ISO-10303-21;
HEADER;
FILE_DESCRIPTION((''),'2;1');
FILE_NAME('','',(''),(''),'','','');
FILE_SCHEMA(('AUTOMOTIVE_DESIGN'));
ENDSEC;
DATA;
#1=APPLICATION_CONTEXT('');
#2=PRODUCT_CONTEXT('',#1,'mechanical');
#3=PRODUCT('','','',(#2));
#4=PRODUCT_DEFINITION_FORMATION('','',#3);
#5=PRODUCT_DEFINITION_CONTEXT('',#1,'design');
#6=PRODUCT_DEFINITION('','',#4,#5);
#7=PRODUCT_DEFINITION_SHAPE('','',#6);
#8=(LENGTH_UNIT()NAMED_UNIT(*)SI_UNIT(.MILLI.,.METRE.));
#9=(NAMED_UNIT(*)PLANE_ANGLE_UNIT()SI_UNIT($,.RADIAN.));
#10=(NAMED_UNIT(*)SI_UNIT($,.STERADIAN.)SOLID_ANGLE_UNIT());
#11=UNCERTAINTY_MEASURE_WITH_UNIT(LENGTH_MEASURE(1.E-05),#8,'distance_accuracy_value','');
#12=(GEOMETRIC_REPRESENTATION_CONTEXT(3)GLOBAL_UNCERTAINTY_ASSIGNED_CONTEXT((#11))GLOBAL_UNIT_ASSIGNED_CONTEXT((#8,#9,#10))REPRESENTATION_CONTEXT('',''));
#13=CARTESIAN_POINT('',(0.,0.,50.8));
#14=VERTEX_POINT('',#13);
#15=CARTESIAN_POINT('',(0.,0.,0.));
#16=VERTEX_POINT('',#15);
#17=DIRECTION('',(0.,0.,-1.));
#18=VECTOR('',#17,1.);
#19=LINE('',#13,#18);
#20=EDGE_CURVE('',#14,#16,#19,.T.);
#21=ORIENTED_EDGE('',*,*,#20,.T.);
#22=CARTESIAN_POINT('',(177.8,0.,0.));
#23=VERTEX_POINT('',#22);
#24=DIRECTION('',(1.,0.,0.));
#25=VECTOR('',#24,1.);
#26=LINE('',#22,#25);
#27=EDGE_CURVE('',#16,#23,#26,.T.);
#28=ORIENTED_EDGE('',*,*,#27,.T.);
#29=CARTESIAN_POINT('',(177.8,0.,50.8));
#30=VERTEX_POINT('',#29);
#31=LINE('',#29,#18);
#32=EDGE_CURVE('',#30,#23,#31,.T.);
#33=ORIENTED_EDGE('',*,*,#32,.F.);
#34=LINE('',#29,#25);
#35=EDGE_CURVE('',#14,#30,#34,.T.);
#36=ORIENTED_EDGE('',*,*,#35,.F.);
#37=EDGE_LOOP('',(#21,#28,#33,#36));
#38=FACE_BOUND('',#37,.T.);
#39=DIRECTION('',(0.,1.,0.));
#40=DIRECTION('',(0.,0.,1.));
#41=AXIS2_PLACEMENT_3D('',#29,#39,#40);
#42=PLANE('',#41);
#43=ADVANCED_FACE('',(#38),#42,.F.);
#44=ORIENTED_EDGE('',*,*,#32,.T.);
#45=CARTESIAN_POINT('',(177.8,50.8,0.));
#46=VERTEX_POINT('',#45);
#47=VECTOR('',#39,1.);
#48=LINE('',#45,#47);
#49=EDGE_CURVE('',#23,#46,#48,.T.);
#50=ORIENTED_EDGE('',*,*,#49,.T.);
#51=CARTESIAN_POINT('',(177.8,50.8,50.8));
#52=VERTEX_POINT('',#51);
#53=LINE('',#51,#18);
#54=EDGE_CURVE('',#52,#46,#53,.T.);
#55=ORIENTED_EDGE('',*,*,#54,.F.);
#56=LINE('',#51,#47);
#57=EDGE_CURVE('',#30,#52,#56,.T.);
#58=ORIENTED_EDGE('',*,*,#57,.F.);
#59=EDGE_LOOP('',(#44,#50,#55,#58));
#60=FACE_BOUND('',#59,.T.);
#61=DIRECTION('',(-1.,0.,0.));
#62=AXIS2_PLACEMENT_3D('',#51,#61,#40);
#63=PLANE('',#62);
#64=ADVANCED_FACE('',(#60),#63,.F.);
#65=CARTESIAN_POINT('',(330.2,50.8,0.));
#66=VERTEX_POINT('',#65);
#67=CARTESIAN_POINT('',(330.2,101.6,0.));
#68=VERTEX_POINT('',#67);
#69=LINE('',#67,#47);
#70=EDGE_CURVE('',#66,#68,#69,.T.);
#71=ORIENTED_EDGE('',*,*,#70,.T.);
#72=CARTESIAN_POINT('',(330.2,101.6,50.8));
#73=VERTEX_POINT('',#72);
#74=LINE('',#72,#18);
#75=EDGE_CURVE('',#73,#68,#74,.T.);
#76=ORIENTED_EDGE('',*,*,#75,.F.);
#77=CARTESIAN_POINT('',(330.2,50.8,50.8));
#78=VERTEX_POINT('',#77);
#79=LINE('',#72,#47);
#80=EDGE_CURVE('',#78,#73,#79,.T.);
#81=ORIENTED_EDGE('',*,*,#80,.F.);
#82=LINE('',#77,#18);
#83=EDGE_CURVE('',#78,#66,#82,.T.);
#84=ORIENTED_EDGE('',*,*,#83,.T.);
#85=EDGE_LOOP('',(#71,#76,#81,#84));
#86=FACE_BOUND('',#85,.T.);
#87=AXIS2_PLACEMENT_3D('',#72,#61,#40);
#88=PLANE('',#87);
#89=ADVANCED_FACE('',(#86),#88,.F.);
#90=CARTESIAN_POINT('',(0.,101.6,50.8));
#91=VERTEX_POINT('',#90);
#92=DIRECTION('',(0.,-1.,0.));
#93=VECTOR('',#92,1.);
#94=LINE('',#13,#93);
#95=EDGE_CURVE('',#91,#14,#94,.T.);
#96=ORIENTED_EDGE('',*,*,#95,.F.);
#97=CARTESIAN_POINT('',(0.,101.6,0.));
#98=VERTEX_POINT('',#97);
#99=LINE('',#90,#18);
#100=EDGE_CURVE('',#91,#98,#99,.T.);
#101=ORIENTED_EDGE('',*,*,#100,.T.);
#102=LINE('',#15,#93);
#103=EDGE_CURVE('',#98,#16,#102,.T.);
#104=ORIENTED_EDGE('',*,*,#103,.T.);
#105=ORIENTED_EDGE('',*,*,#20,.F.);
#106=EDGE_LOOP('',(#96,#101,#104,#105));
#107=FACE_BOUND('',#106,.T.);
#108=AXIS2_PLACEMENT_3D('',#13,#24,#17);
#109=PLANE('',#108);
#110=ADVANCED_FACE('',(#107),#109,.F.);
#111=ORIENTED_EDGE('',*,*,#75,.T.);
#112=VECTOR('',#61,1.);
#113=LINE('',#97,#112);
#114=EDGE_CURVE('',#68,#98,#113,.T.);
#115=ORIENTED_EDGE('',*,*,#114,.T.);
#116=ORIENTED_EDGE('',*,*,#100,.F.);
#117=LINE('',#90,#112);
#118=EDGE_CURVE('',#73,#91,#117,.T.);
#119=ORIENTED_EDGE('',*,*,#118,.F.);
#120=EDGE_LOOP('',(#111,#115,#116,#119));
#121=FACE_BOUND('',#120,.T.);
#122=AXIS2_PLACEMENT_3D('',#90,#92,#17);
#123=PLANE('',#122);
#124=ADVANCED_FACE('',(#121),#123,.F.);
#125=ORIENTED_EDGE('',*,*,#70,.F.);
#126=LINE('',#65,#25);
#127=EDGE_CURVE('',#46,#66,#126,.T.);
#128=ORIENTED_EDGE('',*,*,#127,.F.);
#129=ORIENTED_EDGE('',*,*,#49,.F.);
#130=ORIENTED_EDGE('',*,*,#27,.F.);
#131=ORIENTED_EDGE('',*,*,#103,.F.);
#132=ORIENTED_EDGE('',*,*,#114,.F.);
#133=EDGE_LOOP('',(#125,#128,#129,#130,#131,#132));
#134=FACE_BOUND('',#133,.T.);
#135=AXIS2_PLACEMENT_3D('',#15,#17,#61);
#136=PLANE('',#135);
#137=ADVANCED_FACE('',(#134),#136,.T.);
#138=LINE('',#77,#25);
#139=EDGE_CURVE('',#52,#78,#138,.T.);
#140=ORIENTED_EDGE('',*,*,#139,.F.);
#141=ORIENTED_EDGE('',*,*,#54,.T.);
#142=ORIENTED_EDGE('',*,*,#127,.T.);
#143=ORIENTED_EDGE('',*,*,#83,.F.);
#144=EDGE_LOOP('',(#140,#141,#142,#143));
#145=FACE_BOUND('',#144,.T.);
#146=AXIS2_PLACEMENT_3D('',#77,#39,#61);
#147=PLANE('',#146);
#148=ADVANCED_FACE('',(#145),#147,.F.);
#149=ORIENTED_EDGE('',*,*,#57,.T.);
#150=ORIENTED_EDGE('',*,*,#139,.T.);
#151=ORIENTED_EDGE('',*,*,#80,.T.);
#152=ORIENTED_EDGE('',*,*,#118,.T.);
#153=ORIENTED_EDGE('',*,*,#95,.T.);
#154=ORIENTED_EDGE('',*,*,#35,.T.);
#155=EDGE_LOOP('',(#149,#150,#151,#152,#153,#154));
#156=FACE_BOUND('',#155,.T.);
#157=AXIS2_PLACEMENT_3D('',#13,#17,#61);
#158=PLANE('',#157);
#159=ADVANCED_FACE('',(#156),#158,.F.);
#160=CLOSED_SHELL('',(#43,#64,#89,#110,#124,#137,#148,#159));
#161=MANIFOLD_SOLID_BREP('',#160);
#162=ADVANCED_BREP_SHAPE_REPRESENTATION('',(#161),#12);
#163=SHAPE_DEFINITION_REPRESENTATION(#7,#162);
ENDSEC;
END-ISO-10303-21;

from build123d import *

# Parameters (mm, degrees)
BOSS_EXTRUDE1_DEPTH = 50.8


with BuildPart() as part:
    # Sketch1 → Boss-Extrude1 (new body)
    with BuildSketch(Plane.XY):
        Polygon((0, 0), (0, 101.6), (330.2, 101.6), (330.2, 50.8), (177.8, 50.8), (177.8, 0), align=None)
    extrude(amount=BOSS_EXTRUDE1_DEPTH)


solid = part.part
